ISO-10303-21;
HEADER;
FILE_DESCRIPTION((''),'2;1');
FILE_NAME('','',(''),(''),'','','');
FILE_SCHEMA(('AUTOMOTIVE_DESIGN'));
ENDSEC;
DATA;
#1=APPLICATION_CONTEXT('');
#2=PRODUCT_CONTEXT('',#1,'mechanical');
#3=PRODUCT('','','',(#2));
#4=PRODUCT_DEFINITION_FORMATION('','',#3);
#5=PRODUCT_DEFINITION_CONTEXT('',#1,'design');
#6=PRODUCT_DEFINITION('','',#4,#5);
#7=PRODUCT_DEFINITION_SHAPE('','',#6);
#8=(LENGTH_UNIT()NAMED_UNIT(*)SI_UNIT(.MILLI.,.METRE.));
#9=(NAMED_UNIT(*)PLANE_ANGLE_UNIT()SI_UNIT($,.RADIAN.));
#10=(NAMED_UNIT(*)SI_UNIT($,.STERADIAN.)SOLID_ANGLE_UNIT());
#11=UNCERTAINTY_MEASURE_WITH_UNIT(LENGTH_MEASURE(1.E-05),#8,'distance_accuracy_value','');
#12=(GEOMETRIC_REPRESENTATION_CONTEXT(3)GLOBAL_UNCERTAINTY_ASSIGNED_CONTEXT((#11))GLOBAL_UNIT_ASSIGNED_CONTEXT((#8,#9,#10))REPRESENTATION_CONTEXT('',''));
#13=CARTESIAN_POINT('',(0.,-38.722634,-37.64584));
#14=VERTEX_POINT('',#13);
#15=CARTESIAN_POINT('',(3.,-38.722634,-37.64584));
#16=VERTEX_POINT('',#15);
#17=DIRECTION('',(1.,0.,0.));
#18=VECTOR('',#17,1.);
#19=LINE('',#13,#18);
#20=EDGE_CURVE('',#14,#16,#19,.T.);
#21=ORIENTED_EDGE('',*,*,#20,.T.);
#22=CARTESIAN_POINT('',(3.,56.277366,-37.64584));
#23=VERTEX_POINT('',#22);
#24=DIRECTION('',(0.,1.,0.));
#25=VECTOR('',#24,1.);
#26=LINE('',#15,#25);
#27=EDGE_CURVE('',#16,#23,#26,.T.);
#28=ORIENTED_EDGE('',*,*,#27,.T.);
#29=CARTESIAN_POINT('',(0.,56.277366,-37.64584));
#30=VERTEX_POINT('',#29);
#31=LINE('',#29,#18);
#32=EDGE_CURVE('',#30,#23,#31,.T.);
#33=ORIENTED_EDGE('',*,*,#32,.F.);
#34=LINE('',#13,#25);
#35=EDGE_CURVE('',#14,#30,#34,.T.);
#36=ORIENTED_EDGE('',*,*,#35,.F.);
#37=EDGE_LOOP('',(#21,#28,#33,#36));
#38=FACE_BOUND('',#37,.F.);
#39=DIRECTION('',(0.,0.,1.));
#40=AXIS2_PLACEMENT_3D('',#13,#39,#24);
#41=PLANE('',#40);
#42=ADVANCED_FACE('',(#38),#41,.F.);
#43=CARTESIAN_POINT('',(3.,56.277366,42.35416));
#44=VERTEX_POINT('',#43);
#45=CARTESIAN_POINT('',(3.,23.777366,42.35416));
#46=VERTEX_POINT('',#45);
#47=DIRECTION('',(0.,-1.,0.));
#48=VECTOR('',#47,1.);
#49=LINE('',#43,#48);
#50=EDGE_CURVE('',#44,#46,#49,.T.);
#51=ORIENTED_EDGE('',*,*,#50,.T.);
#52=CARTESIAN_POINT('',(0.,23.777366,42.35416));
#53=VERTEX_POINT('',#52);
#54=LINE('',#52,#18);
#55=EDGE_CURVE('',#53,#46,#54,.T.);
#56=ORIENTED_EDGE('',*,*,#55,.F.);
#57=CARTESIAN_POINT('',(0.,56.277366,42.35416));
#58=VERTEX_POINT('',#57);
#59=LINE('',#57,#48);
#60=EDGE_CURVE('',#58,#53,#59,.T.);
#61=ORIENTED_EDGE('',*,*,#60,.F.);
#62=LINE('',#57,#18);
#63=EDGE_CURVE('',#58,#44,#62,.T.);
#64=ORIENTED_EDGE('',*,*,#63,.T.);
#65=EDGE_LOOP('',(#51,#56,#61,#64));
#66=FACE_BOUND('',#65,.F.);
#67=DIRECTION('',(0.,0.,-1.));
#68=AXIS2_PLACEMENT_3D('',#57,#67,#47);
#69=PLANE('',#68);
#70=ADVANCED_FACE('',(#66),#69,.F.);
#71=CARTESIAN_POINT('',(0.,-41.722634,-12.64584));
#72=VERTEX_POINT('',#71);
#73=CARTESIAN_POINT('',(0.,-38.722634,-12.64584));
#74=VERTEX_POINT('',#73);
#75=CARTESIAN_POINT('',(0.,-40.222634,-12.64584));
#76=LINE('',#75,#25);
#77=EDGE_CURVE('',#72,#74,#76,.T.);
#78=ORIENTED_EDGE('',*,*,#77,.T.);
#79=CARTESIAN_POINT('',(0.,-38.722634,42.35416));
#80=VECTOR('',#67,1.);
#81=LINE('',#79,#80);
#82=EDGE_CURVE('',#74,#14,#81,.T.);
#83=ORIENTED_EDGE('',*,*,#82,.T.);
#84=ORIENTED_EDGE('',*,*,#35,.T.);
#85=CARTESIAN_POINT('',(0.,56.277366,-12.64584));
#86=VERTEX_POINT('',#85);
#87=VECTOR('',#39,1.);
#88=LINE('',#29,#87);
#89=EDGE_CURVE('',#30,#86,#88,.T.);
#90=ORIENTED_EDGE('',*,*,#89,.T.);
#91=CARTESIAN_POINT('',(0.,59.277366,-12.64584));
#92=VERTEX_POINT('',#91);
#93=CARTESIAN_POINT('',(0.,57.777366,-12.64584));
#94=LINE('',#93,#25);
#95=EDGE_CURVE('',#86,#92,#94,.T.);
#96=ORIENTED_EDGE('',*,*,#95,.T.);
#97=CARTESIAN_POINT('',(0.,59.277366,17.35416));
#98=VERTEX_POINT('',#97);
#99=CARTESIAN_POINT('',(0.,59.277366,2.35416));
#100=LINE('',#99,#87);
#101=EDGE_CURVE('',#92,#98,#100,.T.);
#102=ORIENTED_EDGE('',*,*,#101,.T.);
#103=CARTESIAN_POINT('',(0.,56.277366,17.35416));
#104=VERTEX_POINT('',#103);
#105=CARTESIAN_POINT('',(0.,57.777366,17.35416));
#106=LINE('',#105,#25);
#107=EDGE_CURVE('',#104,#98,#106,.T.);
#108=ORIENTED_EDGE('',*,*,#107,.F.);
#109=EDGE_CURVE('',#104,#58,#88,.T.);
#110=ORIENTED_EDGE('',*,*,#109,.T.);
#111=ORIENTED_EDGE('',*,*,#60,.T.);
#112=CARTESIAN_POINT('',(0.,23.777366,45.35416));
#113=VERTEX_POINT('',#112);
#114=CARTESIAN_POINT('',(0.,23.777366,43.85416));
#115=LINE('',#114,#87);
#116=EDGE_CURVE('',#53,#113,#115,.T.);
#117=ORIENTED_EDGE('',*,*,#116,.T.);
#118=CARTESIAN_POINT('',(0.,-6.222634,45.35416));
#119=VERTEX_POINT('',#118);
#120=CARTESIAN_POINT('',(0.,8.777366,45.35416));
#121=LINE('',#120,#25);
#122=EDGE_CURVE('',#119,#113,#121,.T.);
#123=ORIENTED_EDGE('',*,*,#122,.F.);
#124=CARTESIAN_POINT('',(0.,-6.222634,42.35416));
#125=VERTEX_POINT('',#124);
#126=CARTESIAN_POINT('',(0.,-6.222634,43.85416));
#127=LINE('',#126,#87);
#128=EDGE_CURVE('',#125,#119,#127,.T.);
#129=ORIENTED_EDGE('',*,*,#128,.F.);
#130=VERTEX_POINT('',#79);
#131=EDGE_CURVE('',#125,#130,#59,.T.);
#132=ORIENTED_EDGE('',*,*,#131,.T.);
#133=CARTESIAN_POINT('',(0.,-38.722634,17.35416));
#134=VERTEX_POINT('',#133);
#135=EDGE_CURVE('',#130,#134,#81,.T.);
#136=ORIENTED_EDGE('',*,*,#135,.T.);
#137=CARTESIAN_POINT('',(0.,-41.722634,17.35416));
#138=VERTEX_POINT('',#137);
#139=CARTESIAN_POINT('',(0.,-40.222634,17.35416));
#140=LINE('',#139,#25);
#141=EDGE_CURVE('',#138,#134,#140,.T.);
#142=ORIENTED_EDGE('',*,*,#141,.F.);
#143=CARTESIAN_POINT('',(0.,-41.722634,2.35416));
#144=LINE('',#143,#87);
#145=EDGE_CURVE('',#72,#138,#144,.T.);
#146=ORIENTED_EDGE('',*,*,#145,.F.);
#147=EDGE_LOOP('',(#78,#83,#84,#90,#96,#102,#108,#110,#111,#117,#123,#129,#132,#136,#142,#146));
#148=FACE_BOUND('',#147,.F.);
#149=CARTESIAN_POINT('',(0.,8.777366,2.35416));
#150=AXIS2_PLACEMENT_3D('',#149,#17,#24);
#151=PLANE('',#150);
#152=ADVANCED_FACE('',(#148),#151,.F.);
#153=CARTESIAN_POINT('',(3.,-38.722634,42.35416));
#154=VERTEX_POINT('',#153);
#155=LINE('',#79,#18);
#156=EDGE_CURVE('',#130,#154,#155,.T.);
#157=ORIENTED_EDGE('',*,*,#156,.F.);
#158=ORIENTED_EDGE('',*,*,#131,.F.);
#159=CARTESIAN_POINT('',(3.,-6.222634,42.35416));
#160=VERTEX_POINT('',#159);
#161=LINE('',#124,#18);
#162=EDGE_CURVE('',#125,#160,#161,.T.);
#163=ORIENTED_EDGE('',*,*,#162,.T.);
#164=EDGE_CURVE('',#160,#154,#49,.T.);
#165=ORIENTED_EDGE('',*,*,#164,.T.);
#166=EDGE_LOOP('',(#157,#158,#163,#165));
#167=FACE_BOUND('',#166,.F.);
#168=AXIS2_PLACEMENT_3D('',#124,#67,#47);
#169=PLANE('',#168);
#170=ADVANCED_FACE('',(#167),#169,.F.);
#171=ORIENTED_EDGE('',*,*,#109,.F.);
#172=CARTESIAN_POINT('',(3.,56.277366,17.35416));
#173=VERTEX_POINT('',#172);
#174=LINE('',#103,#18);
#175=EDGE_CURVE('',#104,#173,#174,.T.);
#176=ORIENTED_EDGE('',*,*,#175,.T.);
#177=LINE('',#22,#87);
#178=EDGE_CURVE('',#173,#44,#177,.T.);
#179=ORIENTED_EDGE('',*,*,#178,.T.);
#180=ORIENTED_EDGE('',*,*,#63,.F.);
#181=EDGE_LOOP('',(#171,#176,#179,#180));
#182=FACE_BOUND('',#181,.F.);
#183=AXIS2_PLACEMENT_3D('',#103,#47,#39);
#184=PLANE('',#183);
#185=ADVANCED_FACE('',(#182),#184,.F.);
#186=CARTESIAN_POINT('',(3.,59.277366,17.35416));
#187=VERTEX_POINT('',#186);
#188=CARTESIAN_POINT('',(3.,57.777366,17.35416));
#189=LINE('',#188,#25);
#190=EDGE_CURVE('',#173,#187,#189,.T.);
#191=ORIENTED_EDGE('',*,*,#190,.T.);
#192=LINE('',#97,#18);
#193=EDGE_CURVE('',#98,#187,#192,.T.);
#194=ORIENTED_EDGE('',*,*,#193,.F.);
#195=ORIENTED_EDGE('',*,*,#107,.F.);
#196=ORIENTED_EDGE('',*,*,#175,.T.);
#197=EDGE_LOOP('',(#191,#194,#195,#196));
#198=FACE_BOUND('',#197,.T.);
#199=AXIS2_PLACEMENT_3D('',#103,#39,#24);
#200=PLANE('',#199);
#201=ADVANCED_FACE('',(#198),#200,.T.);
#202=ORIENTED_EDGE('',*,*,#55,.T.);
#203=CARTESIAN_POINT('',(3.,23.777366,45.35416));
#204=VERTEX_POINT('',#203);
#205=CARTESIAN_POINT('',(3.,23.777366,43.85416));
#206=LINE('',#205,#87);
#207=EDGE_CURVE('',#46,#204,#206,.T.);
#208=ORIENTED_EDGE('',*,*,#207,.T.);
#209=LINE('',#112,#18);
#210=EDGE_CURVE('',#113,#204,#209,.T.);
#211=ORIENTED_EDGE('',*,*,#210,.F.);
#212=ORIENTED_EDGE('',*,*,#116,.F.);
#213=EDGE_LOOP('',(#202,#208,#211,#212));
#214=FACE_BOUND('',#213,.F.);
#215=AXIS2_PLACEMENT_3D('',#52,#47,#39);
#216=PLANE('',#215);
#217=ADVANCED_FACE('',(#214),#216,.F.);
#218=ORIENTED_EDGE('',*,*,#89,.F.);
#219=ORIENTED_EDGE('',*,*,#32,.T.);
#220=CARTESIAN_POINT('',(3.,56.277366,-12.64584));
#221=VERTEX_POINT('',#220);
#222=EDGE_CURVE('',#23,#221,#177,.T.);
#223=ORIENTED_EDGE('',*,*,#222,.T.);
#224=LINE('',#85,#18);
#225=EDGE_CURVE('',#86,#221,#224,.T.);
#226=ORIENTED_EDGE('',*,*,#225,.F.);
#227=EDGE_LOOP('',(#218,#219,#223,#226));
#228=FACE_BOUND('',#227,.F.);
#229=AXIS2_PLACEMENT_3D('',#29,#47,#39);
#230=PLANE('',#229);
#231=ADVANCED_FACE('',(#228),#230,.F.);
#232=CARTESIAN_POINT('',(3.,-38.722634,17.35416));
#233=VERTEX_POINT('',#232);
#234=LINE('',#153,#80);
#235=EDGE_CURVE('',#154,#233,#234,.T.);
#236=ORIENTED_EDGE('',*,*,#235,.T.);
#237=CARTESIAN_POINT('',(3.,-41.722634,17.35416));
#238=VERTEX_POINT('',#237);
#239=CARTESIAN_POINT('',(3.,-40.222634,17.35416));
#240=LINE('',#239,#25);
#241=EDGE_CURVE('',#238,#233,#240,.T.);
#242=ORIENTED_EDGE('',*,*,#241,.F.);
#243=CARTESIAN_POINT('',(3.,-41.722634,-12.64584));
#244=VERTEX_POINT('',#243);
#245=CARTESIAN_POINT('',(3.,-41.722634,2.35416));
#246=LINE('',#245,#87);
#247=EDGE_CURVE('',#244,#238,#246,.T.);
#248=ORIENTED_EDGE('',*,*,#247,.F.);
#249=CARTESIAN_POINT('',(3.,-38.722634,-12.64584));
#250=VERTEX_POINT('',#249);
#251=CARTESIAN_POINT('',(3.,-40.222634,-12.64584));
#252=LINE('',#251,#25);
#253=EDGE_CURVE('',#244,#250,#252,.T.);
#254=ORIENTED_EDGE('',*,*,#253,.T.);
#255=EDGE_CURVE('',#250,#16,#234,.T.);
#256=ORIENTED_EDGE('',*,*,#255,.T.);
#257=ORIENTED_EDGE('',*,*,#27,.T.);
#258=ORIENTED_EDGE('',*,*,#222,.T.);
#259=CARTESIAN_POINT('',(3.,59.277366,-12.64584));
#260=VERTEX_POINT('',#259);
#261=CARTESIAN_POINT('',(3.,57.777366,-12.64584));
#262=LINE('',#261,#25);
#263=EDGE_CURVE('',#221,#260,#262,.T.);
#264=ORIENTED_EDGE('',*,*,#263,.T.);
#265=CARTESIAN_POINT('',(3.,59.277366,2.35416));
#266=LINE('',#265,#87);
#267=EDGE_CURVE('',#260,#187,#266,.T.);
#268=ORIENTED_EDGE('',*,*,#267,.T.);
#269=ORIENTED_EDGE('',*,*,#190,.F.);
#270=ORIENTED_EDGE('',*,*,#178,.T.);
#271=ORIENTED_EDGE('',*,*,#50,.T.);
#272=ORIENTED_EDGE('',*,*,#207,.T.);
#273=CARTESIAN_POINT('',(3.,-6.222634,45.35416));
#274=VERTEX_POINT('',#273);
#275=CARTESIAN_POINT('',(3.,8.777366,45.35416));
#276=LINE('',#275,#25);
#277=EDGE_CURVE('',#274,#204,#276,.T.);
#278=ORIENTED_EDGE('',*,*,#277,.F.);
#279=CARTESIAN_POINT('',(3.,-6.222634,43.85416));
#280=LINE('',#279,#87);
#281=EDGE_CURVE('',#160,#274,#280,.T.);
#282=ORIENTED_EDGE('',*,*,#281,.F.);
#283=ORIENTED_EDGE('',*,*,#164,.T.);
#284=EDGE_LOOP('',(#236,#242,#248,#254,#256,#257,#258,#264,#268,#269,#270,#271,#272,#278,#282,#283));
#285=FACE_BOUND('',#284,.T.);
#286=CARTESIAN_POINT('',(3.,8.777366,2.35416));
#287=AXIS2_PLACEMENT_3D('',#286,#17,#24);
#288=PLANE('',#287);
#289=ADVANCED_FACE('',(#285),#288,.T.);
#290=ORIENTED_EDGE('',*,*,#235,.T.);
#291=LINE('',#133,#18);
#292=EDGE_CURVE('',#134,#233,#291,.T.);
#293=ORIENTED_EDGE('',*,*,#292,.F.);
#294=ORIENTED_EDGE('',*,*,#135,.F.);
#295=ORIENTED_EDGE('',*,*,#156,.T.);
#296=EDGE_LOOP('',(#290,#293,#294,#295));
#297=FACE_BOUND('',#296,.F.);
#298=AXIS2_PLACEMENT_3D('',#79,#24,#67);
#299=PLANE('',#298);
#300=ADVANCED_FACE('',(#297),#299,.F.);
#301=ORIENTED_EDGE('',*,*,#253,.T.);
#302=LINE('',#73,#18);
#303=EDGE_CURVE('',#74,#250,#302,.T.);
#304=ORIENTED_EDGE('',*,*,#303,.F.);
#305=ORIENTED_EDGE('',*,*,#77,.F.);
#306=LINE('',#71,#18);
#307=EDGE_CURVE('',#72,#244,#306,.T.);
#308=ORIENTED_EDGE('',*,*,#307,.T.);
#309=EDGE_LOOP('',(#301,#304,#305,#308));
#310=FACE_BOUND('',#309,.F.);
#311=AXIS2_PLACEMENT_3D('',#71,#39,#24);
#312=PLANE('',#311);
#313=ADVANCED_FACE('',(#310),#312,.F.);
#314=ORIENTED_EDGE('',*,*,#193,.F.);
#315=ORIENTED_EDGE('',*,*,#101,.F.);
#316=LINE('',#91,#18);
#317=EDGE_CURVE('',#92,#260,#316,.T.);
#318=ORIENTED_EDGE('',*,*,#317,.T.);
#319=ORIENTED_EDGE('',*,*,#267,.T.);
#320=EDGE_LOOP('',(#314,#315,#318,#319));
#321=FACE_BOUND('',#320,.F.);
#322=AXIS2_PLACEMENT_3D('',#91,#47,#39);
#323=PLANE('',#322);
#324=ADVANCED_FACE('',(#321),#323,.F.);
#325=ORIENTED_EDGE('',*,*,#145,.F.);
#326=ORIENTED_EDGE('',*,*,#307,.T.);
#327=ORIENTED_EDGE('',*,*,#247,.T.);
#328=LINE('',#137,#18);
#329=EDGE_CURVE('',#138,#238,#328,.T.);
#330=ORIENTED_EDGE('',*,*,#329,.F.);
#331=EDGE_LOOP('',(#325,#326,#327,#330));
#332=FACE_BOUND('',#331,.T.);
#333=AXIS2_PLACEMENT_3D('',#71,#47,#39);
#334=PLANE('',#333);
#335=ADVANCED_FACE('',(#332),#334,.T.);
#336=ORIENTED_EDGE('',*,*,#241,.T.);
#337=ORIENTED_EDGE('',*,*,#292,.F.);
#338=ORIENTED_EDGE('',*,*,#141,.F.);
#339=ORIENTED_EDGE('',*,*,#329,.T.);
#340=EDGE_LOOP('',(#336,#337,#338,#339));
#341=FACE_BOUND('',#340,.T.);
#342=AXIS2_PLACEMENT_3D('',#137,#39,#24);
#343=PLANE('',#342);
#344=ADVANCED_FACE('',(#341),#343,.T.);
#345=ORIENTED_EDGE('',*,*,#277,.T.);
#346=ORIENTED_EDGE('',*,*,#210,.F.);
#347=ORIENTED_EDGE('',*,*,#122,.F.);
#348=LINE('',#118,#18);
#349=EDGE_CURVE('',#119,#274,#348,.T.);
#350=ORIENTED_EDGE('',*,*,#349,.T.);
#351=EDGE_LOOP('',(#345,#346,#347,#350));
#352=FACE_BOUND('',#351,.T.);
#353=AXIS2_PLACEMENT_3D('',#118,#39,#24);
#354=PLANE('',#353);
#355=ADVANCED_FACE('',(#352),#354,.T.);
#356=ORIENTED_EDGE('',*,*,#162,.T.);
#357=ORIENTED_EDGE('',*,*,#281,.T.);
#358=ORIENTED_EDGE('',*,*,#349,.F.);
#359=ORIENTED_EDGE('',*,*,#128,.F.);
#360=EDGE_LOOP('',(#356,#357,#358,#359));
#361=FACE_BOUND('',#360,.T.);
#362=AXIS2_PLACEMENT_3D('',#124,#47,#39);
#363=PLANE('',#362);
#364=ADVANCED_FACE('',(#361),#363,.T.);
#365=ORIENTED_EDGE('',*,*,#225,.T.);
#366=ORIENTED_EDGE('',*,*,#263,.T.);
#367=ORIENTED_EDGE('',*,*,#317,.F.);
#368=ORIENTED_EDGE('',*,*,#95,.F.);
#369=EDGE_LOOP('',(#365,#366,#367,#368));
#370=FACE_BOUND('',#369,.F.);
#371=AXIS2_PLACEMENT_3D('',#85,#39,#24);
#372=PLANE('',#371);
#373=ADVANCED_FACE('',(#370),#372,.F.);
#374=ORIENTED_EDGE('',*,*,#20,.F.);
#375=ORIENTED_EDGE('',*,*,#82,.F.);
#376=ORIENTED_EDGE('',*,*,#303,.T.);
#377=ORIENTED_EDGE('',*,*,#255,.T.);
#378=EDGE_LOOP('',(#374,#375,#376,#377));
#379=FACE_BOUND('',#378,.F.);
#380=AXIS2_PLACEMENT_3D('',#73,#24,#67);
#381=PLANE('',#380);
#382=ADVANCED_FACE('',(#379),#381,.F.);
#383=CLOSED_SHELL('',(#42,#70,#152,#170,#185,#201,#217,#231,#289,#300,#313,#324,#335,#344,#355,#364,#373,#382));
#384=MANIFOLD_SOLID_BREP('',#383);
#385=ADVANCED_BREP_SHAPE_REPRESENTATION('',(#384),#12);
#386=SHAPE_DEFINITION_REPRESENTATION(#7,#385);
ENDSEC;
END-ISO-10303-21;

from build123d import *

# Parameters (mm, degrees)
F0_W     = 30
F0_H     = 3
F0_W_2   = 3
F0_H_2   = 30
F1_DEPTH = 3


with BuildPart() as f1:
    # F0 (on Right) → F1 (new body)
    with BuildSketch(Plane.YZ):
        Polygon((-6.222634, 42.35416), (-38.722634, 42.35416), (-38.722634, 17.35416), (-38.722634, -12.64584), (-38.722634, -37.64584), (56.277366, -37.64584), (56.277366, -12.64584), (56.277366, 17.35416), (56.277366, 42.35416), (23.777366, 42.35416), align=None)
        with Locations((8.777366, 43.85416)):
            Rectangle(F0_W, F0_H)
        with Locations((-40.222634, 2.35416)):
            Rectangle(F0_W_2, F0_H_2)
        with Locations((57.777366, 2.35416)):
            Rectangle(F0_W_2, F0_H_2)
    extrude(amount=F1_DEPTH)


solid = f1.part
